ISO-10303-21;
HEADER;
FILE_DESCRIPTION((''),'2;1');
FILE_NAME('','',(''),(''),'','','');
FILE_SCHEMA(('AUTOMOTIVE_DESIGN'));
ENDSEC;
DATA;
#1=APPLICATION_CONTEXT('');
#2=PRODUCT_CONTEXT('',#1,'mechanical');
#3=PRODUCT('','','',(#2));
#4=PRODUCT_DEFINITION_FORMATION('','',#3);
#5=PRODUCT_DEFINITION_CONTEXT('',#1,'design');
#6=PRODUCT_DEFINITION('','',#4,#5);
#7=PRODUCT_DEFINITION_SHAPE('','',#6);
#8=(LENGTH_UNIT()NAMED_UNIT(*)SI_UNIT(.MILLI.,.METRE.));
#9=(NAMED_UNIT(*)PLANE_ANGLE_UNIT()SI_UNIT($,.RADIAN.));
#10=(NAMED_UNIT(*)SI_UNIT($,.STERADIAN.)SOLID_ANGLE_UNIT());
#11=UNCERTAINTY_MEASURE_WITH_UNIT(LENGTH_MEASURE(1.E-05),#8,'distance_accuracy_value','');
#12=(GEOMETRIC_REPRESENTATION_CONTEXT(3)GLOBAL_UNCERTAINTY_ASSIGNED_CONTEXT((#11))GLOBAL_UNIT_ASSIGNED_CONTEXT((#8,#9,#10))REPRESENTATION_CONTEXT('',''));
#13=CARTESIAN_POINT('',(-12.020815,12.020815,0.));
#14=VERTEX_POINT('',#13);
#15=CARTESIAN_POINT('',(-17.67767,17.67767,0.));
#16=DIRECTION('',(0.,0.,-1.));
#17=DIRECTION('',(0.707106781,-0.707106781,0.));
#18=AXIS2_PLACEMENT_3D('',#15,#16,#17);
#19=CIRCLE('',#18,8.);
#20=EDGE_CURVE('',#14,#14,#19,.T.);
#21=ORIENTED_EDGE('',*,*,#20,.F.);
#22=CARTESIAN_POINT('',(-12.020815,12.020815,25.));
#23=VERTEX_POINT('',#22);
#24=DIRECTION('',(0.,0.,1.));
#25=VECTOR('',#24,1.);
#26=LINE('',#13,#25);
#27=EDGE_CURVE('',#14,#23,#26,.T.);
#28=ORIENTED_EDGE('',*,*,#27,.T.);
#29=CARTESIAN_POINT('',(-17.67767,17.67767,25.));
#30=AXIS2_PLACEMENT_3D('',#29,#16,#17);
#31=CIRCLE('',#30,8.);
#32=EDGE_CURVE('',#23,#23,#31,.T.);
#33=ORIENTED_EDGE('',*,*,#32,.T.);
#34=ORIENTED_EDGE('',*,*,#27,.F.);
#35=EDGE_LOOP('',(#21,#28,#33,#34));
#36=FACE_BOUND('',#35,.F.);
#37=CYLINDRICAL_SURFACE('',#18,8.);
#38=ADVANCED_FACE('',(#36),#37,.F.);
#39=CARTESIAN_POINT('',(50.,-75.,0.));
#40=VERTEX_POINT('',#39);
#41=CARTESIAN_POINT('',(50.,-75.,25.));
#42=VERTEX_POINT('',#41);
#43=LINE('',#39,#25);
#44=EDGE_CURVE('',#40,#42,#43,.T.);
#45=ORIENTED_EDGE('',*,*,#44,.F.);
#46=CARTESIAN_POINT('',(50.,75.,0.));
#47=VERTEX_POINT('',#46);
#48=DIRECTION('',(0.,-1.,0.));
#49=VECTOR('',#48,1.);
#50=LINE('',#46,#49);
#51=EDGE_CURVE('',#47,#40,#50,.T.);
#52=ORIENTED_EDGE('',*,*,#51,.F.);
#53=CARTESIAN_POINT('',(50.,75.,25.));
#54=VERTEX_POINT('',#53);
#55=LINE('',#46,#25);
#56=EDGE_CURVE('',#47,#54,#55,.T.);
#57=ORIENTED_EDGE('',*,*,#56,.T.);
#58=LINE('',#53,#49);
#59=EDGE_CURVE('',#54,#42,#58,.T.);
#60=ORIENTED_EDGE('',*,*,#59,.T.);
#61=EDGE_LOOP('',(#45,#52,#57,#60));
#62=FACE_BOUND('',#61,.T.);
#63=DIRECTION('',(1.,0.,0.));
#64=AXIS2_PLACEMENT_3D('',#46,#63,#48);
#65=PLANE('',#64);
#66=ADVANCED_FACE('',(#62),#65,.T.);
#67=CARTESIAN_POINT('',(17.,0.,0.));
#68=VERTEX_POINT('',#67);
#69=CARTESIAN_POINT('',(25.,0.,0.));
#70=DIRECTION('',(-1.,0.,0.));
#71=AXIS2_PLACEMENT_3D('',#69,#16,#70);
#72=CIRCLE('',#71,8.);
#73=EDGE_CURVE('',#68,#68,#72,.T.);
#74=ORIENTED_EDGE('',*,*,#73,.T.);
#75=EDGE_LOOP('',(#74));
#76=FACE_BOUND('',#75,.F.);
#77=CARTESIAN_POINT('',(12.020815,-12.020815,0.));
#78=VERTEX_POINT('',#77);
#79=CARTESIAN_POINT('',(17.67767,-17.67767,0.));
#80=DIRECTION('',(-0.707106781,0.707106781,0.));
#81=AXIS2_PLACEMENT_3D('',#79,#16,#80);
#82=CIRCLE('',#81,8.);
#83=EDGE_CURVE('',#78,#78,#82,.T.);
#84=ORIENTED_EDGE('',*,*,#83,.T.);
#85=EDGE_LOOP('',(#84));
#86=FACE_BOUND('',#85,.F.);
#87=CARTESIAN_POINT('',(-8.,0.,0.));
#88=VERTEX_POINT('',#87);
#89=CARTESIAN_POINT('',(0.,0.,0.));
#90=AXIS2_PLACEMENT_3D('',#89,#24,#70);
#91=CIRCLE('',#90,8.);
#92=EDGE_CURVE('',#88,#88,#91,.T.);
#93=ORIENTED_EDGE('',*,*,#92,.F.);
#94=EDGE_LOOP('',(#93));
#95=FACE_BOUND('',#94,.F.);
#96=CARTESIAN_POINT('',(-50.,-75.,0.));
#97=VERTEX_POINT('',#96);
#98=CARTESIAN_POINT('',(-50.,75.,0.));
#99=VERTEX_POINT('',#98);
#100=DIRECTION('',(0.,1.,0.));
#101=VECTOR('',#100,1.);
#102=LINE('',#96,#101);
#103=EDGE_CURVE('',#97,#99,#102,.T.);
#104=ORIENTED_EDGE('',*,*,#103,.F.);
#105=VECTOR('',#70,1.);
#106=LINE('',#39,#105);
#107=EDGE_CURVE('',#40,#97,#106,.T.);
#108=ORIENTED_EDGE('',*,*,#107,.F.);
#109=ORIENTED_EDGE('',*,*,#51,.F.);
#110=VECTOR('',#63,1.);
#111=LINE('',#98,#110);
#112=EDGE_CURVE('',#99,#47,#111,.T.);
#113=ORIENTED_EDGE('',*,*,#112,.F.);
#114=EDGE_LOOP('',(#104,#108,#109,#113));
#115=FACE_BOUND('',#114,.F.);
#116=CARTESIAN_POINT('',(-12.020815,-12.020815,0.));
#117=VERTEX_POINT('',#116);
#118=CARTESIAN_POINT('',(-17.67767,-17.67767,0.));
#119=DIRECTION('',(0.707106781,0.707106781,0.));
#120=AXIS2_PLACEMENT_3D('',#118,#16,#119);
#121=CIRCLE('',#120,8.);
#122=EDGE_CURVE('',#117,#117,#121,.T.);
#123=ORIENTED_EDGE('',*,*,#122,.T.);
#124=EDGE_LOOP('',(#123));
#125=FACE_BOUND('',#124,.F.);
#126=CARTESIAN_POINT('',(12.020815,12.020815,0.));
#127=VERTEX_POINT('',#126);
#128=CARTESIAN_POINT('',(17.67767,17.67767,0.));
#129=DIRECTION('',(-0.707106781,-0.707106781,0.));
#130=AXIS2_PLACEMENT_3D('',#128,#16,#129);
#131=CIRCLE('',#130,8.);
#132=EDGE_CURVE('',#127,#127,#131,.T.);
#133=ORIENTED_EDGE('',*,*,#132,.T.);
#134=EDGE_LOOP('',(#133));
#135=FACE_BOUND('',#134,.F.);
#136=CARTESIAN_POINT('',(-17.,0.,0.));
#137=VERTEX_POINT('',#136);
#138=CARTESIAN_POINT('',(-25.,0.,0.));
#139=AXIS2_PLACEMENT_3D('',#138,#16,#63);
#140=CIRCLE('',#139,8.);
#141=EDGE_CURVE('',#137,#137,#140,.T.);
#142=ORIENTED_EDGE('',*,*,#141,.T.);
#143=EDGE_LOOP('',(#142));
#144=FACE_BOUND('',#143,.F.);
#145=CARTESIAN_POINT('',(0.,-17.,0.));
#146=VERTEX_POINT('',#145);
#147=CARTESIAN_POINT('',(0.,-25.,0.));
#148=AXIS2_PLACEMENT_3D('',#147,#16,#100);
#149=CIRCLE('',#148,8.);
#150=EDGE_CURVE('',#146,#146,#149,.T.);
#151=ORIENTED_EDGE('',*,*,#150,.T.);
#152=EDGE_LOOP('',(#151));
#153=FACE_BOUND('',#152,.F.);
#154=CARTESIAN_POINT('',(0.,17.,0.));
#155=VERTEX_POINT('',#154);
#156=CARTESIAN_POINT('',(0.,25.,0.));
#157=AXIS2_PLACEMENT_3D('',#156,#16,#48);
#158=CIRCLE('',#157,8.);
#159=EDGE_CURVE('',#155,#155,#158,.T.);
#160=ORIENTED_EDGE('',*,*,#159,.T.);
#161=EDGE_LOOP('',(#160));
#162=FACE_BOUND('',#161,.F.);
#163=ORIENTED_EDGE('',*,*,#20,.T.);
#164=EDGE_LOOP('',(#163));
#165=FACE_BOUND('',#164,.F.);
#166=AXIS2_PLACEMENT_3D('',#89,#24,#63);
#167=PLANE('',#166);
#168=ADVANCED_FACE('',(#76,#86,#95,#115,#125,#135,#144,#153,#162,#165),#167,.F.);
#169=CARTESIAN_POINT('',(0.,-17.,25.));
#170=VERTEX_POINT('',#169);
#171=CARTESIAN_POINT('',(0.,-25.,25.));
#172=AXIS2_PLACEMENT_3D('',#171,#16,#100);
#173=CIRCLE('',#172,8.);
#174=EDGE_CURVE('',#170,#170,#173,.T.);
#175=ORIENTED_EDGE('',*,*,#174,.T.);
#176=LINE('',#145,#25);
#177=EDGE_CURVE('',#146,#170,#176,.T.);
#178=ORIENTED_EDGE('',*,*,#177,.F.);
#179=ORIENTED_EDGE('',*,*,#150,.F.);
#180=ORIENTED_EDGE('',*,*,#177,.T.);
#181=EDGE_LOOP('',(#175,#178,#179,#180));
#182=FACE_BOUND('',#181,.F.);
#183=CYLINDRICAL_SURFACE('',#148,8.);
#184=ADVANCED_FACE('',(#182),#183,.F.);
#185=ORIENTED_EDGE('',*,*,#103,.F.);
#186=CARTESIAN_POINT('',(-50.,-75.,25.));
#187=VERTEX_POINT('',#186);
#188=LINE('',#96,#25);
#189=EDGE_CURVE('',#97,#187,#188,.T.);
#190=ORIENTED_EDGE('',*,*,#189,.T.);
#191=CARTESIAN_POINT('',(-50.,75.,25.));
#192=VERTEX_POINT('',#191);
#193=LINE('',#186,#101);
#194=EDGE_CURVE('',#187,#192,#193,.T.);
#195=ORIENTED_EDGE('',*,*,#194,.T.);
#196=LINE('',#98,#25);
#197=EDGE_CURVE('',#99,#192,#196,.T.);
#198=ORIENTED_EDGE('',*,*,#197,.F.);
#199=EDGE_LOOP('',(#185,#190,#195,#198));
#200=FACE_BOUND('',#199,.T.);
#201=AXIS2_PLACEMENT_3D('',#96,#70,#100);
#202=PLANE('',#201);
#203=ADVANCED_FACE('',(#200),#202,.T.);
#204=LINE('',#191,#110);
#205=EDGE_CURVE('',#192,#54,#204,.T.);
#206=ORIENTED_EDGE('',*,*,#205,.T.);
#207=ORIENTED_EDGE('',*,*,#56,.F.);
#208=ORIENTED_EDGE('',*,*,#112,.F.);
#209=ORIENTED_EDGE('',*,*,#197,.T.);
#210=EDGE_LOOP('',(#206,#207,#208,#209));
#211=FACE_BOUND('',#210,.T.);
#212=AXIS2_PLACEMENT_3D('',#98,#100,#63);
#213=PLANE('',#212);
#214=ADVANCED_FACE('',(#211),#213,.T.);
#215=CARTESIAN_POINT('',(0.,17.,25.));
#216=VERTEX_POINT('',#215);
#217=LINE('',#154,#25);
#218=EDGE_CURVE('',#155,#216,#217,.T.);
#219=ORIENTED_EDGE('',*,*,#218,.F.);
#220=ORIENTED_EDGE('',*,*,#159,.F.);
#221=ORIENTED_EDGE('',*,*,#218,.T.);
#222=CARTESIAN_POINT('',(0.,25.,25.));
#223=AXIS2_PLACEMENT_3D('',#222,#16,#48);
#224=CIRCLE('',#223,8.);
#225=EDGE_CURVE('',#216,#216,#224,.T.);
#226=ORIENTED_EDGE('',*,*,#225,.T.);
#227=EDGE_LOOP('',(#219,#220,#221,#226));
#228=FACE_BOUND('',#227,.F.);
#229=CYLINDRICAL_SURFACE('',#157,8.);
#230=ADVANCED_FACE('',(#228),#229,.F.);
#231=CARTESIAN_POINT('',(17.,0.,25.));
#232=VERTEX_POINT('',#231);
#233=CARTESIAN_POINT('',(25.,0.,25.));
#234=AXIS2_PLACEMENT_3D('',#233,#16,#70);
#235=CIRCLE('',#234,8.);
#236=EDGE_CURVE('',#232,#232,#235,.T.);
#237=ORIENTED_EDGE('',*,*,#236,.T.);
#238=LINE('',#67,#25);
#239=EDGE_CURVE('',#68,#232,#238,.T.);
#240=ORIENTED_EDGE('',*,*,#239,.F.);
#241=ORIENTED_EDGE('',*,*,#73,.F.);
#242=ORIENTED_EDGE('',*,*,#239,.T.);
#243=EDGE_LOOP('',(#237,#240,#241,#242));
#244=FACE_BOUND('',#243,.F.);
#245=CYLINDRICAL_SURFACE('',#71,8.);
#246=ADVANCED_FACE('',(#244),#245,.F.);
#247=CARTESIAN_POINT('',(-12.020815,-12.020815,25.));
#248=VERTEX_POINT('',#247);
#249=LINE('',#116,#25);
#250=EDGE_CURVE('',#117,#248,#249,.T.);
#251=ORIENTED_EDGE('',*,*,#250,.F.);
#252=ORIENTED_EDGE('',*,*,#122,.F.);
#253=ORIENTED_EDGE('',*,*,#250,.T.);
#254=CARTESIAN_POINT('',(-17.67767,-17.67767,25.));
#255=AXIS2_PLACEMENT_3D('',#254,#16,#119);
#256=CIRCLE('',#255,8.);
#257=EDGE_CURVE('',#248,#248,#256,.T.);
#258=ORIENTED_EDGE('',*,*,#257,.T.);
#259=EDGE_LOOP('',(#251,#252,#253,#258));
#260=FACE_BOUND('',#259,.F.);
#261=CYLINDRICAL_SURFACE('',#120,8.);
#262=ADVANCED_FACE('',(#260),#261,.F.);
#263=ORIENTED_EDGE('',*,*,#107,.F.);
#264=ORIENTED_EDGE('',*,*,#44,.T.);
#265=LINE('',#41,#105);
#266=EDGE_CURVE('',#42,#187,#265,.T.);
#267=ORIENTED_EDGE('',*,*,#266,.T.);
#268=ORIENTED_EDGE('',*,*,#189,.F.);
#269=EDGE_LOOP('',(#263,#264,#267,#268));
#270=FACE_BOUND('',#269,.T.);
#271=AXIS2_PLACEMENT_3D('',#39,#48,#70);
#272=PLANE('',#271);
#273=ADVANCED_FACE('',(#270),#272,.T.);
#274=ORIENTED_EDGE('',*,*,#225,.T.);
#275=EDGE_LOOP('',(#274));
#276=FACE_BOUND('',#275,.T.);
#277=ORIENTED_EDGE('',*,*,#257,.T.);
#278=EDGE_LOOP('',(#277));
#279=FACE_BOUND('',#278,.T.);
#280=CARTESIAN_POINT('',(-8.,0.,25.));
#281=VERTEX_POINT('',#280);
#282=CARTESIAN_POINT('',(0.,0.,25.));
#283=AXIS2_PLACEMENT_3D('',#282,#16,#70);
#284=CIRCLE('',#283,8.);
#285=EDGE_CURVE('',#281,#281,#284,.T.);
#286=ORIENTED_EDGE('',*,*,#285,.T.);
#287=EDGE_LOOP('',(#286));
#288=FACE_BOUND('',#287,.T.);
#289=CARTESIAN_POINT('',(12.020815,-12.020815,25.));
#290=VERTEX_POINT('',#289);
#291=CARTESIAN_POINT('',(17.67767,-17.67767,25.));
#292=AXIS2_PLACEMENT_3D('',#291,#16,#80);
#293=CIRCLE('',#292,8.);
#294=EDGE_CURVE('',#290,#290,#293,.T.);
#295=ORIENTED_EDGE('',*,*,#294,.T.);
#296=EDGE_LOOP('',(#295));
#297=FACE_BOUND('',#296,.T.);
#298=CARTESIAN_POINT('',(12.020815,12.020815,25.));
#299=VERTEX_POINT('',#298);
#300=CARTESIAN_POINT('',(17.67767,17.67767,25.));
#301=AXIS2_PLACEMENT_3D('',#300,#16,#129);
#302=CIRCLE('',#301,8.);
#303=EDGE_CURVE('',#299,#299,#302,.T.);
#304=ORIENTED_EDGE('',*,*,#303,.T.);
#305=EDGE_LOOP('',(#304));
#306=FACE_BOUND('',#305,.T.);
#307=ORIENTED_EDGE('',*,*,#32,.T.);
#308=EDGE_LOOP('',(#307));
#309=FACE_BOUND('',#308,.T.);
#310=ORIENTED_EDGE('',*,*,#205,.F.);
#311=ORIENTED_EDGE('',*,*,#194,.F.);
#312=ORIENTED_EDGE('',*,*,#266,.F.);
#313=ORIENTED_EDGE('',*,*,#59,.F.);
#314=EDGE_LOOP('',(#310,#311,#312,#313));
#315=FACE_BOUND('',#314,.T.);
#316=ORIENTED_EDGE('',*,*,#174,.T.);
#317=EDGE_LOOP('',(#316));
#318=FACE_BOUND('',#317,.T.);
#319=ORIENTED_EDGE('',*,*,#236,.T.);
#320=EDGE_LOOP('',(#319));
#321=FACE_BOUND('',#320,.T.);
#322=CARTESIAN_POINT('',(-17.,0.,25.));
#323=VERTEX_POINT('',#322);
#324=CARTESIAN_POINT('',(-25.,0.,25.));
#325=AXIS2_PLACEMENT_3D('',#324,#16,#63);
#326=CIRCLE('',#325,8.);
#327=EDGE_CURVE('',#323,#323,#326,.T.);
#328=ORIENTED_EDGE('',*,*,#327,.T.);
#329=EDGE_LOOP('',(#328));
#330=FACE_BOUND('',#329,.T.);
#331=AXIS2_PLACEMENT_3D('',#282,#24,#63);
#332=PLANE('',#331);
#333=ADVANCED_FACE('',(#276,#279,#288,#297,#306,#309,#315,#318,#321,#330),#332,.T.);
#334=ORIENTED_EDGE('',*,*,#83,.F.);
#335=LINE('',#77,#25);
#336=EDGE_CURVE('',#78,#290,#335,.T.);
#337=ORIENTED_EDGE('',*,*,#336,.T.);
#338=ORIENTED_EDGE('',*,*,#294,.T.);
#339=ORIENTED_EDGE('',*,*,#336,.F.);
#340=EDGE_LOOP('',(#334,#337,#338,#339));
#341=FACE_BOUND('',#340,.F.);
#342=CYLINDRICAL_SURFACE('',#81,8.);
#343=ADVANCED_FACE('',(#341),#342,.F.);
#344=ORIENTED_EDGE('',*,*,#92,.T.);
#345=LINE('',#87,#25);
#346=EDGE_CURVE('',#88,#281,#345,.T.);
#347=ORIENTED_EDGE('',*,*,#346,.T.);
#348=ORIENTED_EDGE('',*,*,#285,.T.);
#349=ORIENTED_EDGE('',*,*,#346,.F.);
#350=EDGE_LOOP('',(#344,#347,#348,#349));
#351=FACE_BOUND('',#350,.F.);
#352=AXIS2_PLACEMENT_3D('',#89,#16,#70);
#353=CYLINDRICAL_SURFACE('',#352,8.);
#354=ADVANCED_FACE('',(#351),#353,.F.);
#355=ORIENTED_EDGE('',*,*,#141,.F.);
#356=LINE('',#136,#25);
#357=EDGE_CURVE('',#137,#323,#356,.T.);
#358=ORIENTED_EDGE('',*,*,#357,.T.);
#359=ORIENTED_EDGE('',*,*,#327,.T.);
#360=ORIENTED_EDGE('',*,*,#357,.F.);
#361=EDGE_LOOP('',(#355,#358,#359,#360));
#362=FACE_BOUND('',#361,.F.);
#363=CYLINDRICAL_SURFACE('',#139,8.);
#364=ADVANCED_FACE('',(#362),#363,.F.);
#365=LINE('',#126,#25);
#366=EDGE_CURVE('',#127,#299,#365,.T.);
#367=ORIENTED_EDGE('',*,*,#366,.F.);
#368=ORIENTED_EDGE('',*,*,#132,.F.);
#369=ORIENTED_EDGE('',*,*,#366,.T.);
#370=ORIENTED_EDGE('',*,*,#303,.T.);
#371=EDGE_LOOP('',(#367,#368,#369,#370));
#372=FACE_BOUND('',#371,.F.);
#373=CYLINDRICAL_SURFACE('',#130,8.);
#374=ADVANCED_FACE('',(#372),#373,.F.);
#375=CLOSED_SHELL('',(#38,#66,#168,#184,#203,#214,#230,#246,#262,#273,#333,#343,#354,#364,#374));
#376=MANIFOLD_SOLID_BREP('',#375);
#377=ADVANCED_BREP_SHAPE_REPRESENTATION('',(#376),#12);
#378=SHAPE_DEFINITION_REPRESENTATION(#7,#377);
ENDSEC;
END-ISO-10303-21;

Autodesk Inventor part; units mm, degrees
ref_plane "YZ Plane" through (0, 0, 0) normal (1, 0, 0) x (0, 1, 0)
ref_plane "XZ Plane" through (0, 0, 0) normal (0, 1, 0) x (-1, 0, 0)
ref_plane "XY Plane" through (0, 0, 0) normal (0, 0, 1) x (1, 0, 0)
sketch "Sketch1" plane through (0, 0, 0) normal (0, 0, 1) x (1, 0, 0)
  line L0 (-50, 75) -> (50, 75)
  line L1 (50, 75) -> (50, -75)
  line L2 (50, -75) -> (-50, -75)
  line L3 (-50, -75) -> (-50, 75)
  point P0 (0, 0)
  point P1 (0, 75)
  point P2 (-50, 0)
  dimension "d0" = 100
  dimension "d1" = 150
extrude "Extrusion1" add sketch "Sketch1" along normal blind 25
sketch "Sketch2" plane through (0, 0, 0) normal (0, 0, -1) x (-1, 0, 0)
  line L0 (50, -75) -> (-50, -75) projected
  line L1 (-50, 75) -> (50, 75) projected
  line L2 (-50, -75) -> (50, 75) construction
  circle A0 centre (0, 0) radius 8
  line L3 (0, 0) -> (-25, 0) construction
  circle A1 centre (-25, 0) radius 8
  dimension "d4" = 16
  dimension "d5" = 25
  dimension "d6" = 16
extrude "Extrusion2" cut sketch "Sketch2" against normal through all
pattern_circular "Circular Pattern1" count 8 over 360 about axis through (0, 0, 0) along (0, 0, 1) of "Extrusion2"
properties part number "Foam_Top_Big_Mic" material "Polystyrene, Expanded"
